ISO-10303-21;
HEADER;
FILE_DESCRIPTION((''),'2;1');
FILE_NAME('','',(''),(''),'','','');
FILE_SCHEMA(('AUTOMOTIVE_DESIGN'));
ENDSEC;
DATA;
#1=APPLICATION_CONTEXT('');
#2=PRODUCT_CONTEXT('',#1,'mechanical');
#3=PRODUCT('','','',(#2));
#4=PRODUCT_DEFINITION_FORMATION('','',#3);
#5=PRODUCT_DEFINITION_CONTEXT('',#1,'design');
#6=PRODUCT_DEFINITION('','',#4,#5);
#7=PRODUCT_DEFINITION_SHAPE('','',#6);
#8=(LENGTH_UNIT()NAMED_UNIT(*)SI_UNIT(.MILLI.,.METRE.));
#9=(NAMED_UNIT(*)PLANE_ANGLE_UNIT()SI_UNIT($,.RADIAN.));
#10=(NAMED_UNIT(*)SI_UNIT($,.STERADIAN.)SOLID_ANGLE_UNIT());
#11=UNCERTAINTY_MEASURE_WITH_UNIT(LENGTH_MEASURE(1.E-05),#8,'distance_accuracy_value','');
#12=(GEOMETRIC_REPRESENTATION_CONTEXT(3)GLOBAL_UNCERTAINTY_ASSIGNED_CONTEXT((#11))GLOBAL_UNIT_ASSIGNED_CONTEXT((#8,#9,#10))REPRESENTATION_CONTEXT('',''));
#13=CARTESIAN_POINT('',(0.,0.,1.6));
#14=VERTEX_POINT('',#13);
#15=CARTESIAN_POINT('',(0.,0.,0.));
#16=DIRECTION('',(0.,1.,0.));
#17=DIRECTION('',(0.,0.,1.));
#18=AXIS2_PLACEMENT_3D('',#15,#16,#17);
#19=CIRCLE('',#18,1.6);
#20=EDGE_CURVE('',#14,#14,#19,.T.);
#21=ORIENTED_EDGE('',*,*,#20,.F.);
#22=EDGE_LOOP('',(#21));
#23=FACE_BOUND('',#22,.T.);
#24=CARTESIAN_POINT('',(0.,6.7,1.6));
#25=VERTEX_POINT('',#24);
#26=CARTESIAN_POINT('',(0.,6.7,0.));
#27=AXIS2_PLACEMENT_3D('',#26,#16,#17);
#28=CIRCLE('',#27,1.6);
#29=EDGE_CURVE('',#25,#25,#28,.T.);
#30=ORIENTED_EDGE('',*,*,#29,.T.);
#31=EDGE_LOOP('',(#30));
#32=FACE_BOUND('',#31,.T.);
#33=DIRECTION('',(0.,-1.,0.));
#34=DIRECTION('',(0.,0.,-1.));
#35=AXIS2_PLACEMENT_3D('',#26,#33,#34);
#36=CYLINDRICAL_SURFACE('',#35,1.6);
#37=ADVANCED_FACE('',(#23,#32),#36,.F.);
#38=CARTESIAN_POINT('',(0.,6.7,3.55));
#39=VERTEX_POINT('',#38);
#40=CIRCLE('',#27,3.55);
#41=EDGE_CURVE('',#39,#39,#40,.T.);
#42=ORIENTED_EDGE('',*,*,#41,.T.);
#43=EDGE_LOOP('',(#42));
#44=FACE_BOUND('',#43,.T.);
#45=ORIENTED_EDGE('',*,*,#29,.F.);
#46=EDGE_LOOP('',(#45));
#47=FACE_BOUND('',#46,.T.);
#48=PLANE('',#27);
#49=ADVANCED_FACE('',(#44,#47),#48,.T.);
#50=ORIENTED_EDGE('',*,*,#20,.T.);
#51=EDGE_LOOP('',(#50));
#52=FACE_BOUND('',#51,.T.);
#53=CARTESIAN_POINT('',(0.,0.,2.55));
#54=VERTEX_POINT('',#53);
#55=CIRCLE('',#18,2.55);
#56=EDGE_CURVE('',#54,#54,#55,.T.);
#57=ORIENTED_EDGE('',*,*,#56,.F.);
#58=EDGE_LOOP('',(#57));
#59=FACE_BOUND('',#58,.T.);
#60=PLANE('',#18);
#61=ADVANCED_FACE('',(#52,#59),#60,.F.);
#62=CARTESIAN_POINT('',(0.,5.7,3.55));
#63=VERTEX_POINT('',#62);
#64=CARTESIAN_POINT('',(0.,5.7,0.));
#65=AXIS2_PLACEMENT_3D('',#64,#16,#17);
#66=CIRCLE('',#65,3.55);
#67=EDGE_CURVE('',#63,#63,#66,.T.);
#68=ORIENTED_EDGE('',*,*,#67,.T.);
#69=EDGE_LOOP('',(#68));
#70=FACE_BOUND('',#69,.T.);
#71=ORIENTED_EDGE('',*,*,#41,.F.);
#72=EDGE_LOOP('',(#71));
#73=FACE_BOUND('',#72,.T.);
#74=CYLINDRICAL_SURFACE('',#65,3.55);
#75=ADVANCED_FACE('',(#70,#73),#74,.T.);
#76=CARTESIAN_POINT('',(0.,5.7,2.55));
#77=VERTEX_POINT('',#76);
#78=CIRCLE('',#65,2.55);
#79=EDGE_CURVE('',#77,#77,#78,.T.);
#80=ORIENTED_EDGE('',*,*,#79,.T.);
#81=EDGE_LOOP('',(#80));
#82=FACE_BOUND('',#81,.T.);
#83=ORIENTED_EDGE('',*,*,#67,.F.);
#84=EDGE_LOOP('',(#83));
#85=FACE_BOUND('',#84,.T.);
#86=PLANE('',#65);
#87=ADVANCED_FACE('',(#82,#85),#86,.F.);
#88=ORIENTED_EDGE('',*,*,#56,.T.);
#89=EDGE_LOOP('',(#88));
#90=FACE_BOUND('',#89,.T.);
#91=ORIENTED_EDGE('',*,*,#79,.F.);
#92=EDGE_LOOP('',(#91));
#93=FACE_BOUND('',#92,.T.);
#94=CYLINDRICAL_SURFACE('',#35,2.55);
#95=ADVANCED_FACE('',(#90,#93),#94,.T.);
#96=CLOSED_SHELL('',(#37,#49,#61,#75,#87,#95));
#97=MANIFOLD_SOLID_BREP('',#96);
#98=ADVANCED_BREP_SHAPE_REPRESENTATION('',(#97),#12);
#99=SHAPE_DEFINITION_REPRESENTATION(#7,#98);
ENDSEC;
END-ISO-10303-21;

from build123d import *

# Parameters (mm, degrees)
SKETCH1_R           = 2.55
SKETCH1_R_2         = 1.6
BOSS_EXTRUDE1_DEPTH = 6.7
SKETCH2_R           = 3.55
SKETCH2_R_2         = 1.6
BOSS_EXTRUDE2_DEPTH = 1


with BuildPart() as part:
    # Sketch1 → Boss-Extrude1 (new body)
    with BuildSketch(Plane(origin=(0, 0, 0), x_dir=(1, 0, 0), z_dir=(0, 1, 0))):
        Circle(SKETCH1_R)
        Circle(SKETCH1_R_2, mode=Mode.SUBTRACT)
    extrude(amount=BOSS_EXTRUDE1_DEPTH)

    # Sketch2 → Boss-Extrude2 (add)
    with BuildSketch(Plane(origin=(0, 6.7, 0), x_dir=(1, 0, 0), z_dir=(0, 1, 0))):
        Circle(SKETCH2_R)
        Circle(SKETCH2_R_2, mode=Mode.SUBTRACT)
    extrude(amount=-BOSS_EXTRUDE2_DEPTH)


solid = part.part
